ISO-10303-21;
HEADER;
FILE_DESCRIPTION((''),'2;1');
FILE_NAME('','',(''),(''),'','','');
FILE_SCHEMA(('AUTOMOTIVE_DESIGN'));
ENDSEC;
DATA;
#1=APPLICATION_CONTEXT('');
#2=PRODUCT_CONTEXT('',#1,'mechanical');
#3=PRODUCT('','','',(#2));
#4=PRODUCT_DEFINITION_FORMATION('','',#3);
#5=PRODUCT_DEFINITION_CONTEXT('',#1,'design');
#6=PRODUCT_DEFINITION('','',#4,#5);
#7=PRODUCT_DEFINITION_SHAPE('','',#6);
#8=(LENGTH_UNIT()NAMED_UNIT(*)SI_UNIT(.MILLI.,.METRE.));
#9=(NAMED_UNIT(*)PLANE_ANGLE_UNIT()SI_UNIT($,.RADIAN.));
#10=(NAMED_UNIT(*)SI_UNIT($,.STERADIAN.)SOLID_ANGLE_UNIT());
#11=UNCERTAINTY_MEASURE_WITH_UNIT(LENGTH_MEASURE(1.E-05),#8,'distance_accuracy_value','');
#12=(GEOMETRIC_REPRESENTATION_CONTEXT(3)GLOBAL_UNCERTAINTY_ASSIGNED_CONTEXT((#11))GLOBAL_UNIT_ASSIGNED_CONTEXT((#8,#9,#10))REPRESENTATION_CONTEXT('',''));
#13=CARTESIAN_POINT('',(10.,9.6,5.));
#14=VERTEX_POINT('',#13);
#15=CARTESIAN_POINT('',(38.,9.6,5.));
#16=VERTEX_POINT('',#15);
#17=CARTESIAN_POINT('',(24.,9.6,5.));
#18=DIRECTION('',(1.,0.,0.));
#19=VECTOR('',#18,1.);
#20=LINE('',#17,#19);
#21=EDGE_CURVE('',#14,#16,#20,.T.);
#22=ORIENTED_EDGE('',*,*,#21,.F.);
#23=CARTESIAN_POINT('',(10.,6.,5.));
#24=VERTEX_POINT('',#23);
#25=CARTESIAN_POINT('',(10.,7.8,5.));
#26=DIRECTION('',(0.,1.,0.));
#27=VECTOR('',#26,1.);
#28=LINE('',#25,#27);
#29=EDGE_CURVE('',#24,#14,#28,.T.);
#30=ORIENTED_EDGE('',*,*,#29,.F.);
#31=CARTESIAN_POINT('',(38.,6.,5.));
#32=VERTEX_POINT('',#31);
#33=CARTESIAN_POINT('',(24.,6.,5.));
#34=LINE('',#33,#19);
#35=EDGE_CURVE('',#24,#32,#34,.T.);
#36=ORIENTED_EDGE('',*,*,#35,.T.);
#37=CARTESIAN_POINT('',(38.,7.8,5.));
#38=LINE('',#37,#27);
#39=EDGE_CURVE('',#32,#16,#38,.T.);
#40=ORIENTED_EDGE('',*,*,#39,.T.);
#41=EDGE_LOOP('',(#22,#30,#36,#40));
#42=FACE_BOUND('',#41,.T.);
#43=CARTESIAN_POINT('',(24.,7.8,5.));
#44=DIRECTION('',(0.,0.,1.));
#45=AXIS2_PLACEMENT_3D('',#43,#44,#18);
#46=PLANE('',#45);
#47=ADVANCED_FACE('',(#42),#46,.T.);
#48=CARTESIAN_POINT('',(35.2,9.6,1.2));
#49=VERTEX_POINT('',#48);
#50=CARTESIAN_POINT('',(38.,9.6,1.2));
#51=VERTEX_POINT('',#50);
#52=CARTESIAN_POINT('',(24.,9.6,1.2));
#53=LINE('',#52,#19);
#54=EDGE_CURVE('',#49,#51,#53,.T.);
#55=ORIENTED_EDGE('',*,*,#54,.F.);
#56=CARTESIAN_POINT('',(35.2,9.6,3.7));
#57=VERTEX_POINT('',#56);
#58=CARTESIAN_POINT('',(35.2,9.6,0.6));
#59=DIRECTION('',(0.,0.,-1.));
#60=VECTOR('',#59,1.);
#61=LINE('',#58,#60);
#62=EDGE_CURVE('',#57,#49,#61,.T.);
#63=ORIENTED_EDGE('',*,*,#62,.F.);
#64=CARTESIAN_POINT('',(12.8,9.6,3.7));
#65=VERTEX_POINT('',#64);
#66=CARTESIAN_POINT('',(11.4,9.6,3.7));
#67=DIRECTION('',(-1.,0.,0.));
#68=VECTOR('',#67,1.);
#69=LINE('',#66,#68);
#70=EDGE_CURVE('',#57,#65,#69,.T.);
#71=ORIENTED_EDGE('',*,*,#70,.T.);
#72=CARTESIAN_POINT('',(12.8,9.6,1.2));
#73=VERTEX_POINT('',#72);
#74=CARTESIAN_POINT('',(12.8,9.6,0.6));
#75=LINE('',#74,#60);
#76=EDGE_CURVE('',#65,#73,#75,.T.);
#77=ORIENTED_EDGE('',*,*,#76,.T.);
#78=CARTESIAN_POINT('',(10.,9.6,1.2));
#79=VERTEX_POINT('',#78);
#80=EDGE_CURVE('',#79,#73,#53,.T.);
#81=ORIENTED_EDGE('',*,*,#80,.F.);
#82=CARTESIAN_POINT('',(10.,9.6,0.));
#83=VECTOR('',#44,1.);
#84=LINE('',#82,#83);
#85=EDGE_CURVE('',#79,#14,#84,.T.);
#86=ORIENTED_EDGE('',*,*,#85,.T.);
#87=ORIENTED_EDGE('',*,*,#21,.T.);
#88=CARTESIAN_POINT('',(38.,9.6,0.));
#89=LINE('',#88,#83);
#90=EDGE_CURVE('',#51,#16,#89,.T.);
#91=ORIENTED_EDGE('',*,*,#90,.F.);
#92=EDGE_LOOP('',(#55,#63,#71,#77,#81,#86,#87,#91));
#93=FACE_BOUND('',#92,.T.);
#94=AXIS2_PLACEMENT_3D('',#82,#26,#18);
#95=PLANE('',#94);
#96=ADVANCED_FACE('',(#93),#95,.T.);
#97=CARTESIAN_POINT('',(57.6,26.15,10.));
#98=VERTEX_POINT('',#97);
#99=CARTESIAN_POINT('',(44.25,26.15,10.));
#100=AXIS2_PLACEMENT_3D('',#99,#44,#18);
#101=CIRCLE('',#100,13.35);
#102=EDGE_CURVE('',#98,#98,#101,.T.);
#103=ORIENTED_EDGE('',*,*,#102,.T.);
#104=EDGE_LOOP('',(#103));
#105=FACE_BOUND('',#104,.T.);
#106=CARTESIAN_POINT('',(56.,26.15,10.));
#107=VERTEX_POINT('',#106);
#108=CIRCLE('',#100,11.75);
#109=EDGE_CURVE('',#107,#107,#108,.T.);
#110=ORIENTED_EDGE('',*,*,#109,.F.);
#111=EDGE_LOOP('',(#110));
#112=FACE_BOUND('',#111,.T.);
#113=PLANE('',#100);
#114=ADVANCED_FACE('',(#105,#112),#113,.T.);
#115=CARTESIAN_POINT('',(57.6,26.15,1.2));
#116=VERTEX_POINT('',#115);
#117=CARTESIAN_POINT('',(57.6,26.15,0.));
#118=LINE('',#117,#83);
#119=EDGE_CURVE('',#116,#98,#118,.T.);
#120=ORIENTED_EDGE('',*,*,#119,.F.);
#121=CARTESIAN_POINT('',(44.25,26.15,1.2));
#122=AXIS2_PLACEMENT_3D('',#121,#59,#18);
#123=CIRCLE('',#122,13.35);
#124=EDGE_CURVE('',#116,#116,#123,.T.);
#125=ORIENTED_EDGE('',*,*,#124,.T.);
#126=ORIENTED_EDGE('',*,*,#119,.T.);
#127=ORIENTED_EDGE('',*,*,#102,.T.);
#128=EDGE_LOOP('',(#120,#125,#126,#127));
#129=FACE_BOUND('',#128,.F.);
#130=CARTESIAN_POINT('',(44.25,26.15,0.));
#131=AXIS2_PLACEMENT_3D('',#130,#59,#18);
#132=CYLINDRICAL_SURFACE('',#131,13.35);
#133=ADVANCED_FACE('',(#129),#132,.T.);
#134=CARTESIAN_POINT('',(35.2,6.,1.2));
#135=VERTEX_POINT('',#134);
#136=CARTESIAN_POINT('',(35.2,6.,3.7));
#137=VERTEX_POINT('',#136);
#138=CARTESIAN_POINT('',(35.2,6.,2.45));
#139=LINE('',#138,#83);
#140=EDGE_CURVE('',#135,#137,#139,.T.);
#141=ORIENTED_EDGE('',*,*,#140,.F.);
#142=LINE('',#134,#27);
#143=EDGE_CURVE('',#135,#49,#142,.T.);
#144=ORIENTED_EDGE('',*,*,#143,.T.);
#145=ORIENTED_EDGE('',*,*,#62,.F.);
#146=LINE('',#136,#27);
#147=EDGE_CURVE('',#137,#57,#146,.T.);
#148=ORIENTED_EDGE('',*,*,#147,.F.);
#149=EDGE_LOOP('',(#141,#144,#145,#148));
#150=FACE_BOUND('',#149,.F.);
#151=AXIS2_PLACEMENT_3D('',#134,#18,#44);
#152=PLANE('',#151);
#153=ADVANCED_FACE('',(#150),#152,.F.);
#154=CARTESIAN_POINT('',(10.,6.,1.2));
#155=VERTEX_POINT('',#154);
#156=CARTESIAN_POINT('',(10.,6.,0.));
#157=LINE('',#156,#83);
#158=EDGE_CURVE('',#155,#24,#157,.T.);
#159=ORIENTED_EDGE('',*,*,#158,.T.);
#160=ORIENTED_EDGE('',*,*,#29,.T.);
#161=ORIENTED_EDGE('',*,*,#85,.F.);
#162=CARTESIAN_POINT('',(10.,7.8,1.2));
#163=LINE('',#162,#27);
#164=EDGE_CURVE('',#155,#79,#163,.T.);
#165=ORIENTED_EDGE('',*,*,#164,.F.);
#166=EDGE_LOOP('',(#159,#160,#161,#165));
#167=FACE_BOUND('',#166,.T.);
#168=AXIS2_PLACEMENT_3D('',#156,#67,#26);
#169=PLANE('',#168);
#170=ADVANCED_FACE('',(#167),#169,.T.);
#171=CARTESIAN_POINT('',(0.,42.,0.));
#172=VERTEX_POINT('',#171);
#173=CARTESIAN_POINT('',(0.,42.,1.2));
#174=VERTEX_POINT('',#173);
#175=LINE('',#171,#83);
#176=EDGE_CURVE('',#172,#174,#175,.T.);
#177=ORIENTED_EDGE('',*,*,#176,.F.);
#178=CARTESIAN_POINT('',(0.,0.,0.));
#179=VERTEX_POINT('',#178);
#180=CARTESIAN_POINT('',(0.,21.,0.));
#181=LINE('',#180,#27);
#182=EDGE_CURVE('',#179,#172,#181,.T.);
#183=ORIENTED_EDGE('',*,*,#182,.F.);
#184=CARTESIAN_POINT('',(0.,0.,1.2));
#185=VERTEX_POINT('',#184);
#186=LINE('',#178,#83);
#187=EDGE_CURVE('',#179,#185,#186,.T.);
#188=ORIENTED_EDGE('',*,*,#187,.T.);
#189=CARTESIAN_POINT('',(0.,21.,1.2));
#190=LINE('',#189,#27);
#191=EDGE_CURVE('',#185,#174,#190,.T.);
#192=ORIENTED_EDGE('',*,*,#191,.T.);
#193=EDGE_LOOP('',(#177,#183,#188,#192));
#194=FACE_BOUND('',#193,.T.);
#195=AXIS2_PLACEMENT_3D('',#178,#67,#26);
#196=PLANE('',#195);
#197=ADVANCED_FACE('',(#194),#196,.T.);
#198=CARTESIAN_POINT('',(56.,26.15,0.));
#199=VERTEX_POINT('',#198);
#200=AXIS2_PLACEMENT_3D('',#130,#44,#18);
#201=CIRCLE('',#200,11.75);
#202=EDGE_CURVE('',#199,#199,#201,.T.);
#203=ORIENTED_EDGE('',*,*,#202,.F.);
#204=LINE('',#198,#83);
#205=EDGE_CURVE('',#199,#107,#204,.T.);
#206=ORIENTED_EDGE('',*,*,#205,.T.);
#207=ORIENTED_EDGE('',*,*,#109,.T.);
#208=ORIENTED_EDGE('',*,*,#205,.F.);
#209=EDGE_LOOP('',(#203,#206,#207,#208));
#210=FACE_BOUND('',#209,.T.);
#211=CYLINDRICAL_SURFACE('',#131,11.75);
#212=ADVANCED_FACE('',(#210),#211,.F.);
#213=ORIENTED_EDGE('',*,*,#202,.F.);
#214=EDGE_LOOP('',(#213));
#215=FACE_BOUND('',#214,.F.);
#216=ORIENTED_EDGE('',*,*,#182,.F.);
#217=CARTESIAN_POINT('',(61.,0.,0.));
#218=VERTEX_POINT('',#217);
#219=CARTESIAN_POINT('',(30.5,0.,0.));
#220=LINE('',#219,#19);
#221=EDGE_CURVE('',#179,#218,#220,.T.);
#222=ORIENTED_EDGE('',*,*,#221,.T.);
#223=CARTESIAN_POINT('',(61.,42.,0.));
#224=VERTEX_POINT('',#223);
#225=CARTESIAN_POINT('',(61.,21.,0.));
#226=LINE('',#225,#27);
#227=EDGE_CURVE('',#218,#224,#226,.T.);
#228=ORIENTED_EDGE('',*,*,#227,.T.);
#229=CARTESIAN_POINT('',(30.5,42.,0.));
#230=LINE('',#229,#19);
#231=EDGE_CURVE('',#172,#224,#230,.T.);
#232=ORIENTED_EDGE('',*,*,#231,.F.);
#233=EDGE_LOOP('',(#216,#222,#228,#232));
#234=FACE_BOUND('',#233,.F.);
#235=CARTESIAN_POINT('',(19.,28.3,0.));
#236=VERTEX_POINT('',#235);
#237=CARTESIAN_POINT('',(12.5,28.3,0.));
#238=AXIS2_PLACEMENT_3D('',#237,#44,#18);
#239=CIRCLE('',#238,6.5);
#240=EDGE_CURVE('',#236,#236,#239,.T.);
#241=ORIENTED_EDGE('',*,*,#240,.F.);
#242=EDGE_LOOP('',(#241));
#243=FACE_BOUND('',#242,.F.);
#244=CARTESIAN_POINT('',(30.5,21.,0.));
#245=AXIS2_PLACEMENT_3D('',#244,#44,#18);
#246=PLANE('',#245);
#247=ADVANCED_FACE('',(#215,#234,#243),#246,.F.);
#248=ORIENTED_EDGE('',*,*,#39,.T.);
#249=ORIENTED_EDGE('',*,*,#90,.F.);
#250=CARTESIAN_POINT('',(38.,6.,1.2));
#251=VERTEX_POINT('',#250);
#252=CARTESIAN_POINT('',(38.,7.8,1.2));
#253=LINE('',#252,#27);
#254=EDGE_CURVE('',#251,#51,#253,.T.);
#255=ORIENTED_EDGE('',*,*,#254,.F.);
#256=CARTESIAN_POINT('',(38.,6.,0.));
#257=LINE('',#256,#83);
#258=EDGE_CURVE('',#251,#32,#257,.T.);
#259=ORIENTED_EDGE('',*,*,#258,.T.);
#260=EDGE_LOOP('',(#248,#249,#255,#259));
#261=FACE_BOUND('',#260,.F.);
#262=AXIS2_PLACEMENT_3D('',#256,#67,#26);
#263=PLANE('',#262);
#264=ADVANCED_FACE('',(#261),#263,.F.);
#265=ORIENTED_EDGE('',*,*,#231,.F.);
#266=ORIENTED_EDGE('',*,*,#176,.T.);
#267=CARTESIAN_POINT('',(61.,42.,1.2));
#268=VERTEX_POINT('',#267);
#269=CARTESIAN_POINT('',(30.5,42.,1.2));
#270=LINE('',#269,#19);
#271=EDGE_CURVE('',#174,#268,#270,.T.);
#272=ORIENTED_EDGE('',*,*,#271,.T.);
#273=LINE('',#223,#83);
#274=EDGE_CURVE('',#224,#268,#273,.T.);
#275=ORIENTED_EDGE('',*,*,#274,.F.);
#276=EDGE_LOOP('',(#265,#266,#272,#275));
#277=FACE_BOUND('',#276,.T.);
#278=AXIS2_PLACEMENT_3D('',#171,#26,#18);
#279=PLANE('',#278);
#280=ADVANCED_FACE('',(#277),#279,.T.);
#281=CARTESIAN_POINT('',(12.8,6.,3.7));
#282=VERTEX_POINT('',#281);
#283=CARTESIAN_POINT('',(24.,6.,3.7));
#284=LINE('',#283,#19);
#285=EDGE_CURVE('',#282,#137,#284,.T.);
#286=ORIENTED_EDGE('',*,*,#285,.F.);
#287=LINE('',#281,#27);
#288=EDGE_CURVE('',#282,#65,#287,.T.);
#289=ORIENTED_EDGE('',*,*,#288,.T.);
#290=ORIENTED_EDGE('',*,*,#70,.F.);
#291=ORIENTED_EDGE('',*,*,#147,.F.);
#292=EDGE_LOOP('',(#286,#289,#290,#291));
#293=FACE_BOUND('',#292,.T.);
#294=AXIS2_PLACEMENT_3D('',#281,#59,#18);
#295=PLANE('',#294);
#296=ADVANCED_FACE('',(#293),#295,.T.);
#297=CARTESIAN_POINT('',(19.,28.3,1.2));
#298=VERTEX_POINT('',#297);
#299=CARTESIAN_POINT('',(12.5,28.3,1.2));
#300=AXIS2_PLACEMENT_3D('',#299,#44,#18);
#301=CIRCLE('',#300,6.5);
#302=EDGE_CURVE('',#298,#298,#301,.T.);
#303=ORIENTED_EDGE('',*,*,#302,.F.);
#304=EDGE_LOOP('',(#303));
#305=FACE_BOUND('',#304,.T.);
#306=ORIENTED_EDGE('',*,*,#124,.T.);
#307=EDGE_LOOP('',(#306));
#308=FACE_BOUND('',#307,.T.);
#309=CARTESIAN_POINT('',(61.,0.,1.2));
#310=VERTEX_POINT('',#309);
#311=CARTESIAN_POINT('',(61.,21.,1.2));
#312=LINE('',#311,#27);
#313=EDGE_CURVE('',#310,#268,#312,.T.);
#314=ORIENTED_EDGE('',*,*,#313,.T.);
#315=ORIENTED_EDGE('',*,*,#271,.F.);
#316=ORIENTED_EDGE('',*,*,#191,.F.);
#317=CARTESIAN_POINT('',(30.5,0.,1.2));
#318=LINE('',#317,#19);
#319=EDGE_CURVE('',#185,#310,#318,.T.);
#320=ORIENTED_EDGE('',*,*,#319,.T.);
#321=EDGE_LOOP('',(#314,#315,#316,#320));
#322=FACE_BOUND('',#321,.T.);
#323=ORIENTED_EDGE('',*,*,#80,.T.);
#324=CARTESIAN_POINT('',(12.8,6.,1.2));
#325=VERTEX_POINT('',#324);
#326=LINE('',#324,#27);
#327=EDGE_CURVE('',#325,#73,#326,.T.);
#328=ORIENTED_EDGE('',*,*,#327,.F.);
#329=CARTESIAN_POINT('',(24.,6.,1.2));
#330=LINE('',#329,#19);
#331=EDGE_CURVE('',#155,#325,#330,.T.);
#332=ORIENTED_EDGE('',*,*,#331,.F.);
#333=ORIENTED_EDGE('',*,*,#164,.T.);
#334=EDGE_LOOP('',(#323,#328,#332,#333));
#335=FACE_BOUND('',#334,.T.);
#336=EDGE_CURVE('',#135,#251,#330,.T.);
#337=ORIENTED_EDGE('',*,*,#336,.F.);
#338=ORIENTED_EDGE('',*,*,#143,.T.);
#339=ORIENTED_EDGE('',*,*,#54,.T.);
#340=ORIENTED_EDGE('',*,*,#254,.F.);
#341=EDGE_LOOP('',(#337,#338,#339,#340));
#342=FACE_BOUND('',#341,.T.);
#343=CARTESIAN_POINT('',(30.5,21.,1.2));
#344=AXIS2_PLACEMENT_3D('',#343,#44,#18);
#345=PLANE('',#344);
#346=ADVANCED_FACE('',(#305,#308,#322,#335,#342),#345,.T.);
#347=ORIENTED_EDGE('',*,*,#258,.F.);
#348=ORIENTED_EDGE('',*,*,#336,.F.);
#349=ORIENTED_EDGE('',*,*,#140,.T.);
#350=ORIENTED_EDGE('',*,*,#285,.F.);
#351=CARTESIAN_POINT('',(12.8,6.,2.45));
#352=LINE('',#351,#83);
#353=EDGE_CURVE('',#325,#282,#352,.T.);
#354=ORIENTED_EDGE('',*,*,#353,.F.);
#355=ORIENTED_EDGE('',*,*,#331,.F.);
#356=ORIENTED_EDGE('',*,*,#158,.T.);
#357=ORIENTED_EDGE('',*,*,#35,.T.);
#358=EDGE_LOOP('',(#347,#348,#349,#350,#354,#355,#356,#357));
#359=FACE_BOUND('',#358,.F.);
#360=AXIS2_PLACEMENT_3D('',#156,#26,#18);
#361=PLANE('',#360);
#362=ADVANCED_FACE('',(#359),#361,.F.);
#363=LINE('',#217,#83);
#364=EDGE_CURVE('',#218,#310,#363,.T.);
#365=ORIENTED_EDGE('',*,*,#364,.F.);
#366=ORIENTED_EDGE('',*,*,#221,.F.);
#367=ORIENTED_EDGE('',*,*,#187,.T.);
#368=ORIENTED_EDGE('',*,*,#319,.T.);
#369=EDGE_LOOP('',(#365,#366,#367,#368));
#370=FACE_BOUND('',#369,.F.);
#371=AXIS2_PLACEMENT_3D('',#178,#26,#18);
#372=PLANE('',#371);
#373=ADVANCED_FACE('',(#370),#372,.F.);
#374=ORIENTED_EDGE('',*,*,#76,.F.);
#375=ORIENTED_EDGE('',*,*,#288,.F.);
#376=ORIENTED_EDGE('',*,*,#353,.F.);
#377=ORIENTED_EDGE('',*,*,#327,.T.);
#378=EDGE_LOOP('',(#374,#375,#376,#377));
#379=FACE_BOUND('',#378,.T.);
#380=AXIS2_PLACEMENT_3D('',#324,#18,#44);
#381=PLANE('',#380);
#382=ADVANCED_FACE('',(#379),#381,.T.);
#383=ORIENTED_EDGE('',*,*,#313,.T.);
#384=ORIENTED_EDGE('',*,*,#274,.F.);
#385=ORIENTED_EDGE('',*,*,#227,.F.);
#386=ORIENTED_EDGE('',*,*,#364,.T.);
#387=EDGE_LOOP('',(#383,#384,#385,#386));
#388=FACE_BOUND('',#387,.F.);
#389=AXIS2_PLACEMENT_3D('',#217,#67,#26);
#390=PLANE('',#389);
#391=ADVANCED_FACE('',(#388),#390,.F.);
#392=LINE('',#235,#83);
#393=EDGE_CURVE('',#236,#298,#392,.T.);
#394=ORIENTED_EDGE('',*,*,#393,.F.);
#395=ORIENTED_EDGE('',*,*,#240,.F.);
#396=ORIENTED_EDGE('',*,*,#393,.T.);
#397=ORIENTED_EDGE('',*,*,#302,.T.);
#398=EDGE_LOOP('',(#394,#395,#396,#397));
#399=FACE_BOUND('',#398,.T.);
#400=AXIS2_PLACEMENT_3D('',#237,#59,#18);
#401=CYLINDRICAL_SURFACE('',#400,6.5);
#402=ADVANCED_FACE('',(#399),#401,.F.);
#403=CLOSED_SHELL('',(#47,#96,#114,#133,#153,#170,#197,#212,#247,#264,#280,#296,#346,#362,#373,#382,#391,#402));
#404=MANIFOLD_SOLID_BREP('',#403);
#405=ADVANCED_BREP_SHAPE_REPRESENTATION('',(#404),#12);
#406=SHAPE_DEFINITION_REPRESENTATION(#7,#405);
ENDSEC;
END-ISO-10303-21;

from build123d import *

# Parameters (mm, degrees)
F0_W     = 61
F0_H     = 42
F0_W_2   = 28
F0_H_2   = 3.6
F0_R     = 6.5
F0_R_2   = 13.35
F0_R_3   = 11.75
F1_DEPTH = 1.2
F2_DEPTH = 10
F3_DEPTH = 5
F4_W     = 22.4
F4_H     = 2.5
F5_DEPTH = 5


with BuildPart() as f1:
    # F0 (on Top) → F1 (new body)
    with BuildSketch(Plane.XY):
        with Locations((30.5, 21)):
            Rectangle(F0_W, F0_H)
        with Locations((24, 7.8)):
            Rectangle(F0_W_2, F0_H_2, mode=Mode.SUBTRACT)
        with Locations((12.5, 28.3)):
            Circle(F0_R, mode=Mode.SUBTRACT)
        with Locations((44.25, 26.15)):
            Circle(F0_R_2, mode=Mode.SUBTRACT)
        with Locations((44.25, 26.15)):
            Circle(F0_R_2)
        with Locations((44.25, 26.15)):
            Circle(F0_R_3, mode=Mode.SUBTRACT)
    extrude(amount=F1_DEPTH)

    # F0 (on Top) → F2 (join)
    with BuildSketch(Plane.XY):
        with Locations((44.25, 26.15)):
            Circle(F0_R_2)
        with Locations((44.25, 26.15)):
            Circle(F0_R_3, mode=Mode.SUBTRACT)
    extrude(amount=F2_DEPTH)

    # F0 (on Top) → F3 (join)
    with BuildSketch(Plane.XY):
        with Locations((24, 7.8)):
            Rectangle(F0_W_2, F0_H_2)
    extrude(amount=F3_DEPTH)

    # F4 (on face) → F5 (cut)
    with BuildSketch(Plane.XZ.offset(-6)):
        with Locations((24, 2.45)):
            Rectangle(F4_W, F4_H)
    extrude(amount=-F5_DEPTH, mode=Mode.SUBTRACT)


solid = f1.part
